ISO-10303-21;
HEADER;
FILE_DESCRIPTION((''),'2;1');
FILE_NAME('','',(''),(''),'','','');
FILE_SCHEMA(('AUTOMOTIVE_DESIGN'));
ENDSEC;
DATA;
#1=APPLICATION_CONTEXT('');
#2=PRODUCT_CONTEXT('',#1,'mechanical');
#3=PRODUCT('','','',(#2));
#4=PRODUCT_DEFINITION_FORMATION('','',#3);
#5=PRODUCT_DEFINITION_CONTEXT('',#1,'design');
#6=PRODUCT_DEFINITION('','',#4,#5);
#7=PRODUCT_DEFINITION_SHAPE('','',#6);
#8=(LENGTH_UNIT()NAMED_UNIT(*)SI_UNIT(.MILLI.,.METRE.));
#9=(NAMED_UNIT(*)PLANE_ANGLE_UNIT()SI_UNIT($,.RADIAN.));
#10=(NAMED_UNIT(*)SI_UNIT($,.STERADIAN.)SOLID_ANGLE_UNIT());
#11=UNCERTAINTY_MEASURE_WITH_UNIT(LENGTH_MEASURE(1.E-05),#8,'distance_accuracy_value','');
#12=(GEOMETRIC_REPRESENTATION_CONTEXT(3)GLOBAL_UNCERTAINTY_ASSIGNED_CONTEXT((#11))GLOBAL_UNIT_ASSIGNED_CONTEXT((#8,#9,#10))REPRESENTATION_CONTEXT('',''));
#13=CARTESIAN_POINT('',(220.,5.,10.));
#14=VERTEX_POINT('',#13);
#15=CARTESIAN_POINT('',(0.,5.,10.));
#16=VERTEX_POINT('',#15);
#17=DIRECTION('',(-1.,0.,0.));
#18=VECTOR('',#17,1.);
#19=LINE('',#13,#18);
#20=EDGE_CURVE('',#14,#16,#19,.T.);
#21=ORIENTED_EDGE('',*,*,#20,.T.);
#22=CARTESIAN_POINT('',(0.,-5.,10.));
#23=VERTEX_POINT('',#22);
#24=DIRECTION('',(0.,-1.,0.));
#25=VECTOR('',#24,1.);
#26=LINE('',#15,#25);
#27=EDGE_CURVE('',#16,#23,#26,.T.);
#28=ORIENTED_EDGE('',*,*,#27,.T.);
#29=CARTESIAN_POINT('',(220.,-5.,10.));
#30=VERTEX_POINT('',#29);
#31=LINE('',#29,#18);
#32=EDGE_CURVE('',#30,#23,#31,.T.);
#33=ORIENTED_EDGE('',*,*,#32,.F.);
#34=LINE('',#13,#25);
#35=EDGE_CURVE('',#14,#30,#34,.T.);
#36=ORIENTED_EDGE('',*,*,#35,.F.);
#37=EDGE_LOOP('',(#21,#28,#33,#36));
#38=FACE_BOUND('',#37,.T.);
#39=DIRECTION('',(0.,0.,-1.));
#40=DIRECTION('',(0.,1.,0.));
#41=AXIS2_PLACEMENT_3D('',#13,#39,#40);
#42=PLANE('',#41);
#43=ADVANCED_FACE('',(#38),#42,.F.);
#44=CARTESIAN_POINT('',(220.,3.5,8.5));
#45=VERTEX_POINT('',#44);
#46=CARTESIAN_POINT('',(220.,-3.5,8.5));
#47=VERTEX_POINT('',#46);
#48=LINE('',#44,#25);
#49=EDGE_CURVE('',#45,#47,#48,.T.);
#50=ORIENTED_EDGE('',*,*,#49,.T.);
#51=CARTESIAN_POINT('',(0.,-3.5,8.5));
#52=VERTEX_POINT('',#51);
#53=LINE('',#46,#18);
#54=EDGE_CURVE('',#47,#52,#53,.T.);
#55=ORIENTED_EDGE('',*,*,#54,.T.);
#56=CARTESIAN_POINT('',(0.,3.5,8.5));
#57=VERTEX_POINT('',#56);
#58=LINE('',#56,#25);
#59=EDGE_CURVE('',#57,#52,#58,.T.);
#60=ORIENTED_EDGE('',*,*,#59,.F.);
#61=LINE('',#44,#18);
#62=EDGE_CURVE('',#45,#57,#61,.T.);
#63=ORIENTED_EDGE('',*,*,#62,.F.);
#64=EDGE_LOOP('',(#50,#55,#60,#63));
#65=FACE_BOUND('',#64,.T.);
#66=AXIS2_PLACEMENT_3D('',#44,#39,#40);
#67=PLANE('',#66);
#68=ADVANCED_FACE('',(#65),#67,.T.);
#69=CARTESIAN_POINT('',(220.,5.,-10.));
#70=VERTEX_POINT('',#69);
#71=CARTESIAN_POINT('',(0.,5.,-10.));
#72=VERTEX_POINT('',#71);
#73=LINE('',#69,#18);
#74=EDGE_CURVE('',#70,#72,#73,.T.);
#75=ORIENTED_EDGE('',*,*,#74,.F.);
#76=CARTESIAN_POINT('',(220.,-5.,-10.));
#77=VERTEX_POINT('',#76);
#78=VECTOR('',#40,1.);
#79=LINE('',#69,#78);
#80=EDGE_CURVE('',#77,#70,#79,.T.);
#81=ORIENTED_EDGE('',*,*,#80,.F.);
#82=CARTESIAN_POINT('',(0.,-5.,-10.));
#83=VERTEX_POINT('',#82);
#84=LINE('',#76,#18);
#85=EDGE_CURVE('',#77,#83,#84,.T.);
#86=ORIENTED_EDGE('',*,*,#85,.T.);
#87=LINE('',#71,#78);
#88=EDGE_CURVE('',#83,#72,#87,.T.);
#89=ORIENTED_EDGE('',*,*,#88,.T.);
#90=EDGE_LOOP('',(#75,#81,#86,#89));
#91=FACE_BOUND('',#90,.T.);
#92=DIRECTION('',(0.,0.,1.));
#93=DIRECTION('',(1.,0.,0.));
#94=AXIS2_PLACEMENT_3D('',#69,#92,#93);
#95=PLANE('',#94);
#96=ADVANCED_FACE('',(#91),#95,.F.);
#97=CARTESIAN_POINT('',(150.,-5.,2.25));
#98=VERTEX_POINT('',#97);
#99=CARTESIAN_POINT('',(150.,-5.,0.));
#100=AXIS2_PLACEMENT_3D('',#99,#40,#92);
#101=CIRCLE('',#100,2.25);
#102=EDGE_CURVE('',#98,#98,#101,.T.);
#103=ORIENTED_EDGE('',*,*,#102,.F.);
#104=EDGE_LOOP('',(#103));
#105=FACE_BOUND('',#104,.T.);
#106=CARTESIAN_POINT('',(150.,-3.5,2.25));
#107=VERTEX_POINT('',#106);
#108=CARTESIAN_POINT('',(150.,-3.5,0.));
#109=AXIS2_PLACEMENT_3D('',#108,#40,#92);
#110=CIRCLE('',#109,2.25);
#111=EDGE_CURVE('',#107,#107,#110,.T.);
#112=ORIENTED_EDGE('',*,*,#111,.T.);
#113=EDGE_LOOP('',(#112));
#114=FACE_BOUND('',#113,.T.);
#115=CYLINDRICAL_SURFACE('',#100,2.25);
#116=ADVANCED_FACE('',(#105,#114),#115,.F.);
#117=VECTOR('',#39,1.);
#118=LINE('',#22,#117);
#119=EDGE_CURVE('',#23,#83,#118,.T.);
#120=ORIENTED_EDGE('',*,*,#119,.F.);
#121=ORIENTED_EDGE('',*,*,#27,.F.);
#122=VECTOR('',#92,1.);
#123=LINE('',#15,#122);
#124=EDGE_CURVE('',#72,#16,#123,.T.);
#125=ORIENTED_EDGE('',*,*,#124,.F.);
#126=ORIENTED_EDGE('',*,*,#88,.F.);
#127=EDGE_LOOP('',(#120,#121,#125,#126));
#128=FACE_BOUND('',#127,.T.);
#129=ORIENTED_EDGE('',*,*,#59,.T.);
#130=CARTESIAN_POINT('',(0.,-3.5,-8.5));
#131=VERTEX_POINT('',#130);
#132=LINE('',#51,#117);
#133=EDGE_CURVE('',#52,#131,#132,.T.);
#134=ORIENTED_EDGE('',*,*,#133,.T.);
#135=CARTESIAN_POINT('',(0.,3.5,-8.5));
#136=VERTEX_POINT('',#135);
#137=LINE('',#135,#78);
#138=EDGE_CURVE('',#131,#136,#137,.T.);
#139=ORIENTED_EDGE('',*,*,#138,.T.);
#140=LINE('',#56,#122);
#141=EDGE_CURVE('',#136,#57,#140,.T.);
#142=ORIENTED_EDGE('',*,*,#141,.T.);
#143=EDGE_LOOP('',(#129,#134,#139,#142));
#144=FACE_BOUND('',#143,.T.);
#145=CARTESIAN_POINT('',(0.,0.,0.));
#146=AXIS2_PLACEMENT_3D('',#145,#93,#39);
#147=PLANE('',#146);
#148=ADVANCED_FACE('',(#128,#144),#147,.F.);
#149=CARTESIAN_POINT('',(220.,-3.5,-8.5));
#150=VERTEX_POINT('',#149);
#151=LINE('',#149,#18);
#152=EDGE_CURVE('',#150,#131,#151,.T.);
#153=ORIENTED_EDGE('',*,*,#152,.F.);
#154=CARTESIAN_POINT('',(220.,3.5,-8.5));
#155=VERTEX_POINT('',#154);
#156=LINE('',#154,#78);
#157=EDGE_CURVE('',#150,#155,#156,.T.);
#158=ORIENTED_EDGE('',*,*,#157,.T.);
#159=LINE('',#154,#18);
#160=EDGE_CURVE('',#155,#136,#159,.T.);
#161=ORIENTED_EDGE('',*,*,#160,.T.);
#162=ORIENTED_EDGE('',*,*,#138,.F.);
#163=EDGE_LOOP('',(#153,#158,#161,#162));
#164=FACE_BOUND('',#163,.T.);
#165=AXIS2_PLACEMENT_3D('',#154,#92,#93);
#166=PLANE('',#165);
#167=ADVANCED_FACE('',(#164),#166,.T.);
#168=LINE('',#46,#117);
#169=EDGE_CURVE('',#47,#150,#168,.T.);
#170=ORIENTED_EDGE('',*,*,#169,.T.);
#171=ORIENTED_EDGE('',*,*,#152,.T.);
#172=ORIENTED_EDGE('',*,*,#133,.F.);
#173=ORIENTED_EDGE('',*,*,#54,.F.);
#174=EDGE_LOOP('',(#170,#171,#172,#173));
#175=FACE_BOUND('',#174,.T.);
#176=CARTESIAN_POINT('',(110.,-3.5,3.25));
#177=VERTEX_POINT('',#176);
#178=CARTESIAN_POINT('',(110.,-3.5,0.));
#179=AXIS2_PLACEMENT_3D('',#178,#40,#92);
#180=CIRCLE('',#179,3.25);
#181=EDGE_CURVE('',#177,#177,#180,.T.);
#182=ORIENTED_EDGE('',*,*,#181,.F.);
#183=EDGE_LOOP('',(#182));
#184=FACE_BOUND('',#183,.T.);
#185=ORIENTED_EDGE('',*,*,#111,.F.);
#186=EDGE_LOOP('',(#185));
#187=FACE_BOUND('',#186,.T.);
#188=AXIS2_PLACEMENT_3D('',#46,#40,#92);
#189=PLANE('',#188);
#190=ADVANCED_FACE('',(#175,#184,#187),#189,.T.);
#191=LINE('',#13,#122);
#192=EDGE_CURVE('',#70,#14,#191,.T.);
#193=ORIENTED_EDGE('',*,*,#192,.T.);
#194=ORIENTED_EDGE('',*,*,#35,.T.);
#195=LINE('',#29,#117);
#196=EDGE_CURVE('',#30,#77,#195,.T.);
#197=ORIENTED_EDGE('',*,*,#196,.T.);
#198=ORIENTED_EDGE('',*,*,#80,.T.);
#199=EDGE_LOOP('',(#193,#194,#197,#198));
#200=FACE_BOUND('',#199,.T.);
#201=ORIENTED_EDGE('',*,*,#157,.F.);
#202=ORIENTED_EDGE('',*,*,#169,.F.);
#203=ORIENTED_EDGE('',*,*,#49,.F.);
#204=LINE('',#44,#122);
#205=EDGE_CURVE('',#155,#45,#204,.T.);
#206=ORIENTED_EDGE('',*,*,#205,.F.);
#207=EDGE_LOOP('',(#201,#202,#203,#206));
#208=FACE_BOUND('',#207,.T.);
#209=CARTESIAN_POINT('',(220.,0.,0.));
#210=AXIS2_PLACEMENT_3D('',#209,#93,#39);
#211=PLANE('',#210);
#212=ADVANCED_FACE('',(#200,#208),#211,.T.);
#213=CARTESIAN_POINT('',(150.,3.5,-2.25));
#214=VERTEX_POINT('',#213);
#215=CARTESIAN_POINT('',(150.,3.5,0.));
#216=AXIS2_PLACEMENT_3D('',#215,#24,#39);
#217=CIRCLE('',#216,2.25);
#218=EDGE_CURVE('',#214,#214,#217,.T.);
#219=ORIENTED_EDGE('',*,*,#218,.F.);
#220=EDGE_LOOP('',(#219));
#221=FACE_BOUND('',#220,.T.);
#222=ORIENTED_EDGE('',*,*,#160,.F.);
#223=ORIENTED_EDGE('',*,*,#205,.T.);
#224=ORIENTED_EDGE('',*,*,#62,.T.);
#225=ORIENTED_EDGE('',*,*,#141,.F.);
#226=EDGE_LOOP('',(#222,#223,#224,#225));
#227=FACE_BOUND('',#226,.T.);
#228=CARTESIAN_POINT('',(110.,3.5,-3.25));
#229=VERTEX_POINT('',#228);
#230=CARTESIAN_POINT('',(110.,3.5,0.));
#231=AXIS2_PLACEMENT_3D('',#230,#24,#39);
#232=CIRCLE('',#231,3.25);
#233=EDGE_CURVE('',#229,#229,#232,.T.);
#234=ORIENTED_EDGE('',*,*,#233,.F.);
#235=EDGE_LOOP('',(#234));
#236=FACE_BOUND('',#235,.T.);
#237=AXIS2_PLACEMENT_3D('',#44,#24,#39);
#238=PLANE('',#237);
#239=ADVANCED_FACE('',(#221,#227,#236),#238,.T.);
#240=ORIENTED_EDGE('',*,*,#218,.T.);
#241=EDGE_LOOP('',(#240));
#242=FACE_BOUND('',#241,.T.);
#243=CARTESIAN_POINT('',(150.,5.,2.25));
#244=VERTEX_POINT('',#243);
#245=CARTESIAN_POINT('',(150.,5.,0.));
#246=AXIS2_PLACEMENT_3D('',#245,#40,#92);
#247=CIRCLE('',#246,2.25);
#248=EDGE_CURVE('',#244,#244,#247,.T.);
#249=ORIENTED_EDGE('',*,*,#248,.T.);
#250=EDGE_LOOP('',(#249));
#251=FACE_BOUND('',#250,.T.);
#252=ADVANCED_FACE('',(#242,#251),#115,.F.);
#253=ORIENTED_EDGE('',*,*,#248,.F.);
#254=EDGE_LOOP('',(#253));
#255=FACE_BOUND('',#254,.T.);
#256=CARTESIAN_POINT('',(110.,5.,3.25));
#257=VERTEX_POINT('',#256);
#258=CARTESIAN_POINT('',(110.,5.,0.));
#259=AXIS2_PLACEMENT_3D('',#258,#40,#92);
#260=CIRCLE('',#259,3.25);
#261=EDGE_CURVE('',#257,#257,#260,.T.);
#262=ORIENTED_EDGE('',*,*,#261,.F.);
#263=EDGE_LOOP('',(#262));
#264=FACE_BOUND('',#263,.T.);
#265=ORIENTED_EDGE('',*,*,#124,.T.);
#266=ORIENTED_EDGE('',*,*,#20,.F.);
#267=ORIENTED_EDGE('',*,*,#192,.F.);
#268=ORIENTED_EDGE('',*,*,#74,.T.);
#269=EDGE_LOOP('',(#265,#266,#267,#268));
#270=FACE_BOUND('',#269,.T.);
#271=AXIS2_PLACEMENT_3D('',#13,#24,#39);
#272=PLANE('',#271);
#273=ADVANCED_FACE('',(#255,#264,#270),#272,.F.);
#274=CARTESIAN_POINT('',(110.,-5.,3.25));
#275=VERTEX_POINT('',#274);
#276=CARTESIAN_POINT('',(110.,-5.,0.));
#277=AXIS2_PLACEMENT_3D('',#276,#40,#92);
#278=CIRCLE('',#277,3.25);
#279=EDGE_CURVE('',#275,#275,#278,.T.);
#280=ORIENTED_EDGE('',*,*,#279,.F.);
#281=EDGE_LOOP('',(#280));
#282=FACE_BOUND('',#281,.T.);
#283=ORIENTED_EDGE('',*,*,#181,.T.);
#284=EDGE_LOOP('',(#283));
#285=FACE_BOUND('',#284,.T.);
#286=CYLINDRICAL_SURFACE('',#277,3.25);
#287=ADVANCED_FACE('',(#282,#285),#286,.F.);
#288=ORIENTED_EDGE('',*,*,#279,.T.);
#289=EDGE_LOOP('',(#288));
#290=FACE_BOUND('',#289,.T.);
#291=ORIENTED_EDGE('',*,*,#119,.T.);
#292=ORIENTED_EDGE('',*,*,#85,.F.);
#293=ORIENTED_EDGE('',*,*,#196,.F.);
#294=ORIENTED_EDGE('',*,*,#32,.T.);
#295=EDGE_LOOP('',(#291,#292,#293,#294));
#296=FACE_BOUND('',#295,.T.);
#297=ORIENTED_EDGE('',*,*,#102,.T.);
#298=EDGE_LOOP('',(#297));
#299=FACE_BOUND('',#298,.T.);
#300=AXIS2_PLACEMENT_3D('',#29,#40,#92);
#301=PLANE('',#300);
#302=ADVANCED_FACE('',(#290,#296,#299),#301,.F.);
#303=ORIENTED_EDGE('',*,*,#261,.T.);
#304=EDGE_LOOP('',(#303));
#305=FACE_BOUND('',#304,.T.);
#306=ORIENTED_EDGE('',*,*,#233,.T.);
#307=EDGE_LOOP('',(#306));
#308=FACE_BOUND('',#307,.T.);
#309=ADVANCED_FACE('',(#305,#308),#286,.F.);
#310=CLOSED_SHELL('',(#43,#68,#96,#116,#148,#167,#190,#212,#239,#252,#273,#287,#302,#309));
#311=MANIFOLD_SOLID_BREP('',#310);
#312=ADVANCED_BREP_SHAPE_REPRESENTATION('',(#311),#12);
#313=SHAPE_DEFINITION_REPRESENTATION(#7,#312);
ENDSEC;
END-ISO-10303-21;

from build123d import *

# Parameters (mm, degrees)
SKETCH1_W           = 20
SKETCH1_H           = 10
SKETCH1_W_2         = 17
SKETCH1_H_2         = 7
BOSS_EXTRUDE1_DEPTH = 220
SKETCH2_R           = 3.25
SKETCH2_R_2         = 2.25
CUT_EXTRUDE1_DEPTH  = 11


with BuildPart() as part:
    # Sketch1 → Boss-Extrude1 (new body)
    with BuildSketch(Plane(origin=(0, 0, 0), x_dir=(0, 0, -1), z_dir=(1, 0, 0))):
        Rectangle(SKETCH1_W, SKETCH1_H)
        Rectangle(SKETCH1_W_2, SKETCH1_H_2, mode=Mode.SUBTRACT)
    extrude(amount=BOSS_EXTRUDE1_DEPTH)

    # Sketch2 → Cut-Extrude1 (cut, through all)
    with BuildSketch(Plane(origin=(0, 5, 0), x_dir=(1, 0, 0), z_dir=(0, 1, 0))):
        with Locations((110, 0)):
            Circle(SKETCH2_R)
        with Locations((150, 0)):
            Circle(SKETCH2_R_2)
    extrude(amount=-CUT_EXTRUDE1_DEPTH, mode=Mode.SUBTRACT)


solid = part.part
